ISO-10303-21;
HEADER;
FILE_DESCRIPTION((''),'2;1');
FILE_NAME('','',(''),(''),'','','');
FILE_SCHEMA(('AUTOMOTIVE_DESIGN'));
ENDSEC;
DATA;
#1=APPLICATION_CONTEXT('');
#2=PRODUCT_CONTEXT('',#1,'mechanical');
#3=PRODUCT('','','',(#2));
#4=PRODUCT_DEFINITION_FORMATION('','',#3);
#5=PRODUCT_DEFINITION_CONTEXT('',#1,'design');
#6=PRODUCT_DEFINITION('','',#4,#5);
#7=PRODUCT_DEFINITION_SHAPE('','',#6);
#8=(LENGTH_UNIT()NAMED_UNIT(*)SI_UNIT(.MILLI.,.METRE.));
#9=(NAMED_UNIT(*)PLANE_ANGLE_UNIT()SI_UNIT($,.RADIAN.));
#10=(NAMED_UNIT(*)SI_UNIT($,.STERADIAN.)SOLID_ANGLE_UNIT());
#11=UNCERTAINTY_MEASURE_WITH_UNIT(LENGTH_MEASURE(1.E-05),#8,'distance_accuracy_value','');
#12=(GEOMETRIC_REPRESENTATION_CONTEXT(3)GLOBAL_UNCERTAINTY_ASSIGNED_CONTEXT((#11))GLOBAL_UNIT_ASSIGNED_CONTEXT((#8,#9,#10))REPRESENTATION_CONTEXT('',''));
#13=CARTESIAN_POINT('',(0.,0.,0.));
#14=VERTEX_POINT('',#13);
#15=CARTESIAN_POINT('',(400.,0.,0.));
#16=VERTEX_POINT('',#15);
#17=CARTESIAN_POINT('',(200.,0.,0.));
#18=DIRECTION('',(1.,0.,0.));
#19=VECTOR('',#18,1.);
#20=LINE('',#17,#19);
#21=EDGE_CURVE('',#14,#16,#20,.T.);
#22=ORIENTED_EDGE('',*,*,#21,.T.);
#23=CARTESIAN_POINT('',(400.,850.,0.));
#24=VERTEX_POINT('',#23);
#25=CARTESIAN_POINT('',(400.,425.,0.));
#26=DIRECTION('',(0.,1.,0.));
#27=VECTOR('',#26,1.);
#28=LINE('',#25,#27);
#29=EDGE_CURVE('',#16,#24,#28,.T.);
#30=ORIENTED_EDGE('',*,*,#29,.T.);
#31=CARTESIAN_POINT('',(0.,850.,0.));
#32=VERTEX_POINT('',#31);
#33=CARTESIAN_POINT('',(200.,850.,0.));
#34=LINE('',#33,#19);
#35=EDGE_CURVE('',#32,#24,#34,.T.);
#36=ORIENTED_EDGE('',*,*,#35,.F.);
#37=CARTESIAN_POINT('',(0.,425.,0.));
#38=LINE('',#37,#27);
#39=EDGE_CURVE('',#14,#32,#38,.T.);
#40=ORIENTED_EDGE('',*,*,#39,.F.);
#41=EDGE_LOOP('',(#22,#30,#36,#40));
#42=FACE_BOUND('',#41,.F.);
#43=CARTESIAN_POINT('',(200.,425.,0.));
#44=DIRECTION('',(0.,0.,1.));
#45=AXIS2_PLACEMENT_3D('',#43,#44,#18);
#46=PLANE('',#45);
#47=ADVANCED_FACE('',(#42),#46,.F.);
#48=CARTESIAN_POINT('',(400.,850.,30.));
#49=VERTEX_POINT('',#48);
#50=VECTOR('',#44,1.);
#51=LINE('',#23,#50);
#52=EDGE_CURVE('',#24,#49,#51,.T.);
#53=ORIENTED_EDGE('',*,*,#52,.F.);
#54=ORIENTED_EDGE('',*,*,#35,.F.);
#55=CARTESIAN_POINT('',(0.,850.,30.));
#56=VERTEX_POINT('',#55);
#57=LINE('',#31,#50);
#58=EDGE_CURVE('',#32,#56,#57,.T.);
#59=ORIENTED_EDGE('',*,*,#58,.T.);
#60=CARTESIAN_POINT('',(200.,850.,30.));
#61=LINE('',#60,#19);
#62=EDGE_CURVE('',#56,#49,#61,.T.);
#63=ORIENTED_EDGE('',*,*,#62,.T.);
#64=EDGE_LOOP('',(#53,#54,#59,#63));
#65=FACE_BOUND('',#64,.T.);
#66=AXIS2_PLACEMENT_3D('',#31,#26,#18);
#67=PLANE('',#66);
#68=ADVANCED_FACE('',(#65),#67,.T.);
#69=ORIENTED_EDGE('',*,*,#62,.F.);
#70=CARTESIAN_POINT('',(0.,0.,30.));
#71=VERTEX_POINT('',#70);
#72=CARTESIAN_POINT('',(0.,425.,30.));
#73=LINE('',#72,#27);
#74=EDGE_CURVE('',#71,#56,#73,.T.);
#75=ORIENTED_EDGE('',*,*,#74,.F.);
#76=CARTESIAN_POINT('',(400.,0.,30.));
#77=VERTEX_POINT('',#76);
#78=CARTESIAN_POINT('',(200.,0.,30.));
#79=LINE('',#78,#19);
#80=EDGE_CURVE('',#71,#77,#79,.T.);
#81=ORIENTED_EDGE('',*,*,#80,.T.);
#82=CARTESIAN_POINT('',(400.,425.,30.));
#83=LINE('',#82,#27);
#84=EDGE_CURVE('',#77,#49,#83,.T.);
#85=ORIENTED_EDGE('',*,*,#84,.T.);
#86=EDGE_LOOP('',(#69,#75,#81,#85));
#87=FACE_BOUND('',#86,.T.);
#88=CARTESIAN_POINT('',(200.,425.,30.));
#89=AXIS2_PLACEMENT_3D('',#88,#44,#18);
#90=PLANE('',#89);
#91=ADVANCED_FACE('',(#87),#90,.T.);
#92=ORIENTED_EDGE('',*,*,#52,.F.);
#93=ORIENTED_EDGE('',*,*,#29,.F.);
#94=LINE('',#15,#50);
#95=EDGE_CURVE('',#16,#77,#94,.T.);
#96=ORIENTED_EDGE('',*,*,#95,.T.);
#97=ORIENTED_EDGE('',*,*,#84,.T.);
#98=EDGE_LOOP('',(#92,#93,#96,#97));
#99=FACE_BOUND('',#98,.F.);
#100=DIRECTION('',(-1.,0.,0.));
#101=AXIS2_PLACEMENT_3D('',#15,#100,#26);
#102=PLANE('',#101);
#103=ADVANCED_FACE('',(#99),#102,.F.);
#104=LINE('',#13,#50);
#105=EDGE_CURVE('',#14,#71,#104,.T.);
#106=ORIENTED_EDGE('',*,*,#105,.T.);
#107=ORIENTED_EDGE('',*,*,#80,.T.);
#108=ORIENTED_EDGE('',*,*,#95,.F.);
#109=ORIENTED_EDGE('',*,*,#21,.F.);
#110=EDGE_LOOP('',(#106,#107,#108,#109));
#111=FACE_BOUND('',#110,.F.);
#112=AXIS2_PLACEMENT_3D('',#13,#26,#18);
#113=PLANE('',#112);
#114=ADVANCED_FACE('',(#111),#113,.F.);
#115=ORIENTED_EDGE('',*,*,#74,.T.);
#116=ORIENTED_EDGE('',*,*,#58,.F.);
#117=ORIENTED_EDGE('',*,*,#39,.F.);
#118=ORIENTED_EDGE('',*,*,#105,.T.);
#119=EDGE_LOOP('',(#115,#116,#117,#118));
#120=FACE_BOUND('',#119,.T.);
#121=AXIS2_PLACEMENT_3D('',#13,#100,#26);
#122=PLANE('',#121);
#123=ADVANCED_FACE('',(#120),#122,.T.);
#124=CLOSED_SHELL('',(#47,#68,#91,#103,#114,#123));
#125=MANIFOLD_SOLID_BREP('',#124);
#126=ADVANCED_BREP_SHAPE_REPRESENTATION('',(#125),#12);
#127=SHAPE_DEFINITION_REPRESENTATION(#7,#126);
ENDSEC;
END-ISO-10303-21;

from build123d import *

# Parameters (mm, degrees)
SKETCH_W  = 400
SKETCH_H  = 850
PAD_DEPTH = 30


with BuildPart() as part:
    # Sketch → Pad (new body)
    with BuildSketch(Plane.XY):
        with Locations((200, 425)):
            Rectangle(SKETCH_W, SKETCH_H)
    extrude(amount=PAD_DEPTH)


solid = part.part
